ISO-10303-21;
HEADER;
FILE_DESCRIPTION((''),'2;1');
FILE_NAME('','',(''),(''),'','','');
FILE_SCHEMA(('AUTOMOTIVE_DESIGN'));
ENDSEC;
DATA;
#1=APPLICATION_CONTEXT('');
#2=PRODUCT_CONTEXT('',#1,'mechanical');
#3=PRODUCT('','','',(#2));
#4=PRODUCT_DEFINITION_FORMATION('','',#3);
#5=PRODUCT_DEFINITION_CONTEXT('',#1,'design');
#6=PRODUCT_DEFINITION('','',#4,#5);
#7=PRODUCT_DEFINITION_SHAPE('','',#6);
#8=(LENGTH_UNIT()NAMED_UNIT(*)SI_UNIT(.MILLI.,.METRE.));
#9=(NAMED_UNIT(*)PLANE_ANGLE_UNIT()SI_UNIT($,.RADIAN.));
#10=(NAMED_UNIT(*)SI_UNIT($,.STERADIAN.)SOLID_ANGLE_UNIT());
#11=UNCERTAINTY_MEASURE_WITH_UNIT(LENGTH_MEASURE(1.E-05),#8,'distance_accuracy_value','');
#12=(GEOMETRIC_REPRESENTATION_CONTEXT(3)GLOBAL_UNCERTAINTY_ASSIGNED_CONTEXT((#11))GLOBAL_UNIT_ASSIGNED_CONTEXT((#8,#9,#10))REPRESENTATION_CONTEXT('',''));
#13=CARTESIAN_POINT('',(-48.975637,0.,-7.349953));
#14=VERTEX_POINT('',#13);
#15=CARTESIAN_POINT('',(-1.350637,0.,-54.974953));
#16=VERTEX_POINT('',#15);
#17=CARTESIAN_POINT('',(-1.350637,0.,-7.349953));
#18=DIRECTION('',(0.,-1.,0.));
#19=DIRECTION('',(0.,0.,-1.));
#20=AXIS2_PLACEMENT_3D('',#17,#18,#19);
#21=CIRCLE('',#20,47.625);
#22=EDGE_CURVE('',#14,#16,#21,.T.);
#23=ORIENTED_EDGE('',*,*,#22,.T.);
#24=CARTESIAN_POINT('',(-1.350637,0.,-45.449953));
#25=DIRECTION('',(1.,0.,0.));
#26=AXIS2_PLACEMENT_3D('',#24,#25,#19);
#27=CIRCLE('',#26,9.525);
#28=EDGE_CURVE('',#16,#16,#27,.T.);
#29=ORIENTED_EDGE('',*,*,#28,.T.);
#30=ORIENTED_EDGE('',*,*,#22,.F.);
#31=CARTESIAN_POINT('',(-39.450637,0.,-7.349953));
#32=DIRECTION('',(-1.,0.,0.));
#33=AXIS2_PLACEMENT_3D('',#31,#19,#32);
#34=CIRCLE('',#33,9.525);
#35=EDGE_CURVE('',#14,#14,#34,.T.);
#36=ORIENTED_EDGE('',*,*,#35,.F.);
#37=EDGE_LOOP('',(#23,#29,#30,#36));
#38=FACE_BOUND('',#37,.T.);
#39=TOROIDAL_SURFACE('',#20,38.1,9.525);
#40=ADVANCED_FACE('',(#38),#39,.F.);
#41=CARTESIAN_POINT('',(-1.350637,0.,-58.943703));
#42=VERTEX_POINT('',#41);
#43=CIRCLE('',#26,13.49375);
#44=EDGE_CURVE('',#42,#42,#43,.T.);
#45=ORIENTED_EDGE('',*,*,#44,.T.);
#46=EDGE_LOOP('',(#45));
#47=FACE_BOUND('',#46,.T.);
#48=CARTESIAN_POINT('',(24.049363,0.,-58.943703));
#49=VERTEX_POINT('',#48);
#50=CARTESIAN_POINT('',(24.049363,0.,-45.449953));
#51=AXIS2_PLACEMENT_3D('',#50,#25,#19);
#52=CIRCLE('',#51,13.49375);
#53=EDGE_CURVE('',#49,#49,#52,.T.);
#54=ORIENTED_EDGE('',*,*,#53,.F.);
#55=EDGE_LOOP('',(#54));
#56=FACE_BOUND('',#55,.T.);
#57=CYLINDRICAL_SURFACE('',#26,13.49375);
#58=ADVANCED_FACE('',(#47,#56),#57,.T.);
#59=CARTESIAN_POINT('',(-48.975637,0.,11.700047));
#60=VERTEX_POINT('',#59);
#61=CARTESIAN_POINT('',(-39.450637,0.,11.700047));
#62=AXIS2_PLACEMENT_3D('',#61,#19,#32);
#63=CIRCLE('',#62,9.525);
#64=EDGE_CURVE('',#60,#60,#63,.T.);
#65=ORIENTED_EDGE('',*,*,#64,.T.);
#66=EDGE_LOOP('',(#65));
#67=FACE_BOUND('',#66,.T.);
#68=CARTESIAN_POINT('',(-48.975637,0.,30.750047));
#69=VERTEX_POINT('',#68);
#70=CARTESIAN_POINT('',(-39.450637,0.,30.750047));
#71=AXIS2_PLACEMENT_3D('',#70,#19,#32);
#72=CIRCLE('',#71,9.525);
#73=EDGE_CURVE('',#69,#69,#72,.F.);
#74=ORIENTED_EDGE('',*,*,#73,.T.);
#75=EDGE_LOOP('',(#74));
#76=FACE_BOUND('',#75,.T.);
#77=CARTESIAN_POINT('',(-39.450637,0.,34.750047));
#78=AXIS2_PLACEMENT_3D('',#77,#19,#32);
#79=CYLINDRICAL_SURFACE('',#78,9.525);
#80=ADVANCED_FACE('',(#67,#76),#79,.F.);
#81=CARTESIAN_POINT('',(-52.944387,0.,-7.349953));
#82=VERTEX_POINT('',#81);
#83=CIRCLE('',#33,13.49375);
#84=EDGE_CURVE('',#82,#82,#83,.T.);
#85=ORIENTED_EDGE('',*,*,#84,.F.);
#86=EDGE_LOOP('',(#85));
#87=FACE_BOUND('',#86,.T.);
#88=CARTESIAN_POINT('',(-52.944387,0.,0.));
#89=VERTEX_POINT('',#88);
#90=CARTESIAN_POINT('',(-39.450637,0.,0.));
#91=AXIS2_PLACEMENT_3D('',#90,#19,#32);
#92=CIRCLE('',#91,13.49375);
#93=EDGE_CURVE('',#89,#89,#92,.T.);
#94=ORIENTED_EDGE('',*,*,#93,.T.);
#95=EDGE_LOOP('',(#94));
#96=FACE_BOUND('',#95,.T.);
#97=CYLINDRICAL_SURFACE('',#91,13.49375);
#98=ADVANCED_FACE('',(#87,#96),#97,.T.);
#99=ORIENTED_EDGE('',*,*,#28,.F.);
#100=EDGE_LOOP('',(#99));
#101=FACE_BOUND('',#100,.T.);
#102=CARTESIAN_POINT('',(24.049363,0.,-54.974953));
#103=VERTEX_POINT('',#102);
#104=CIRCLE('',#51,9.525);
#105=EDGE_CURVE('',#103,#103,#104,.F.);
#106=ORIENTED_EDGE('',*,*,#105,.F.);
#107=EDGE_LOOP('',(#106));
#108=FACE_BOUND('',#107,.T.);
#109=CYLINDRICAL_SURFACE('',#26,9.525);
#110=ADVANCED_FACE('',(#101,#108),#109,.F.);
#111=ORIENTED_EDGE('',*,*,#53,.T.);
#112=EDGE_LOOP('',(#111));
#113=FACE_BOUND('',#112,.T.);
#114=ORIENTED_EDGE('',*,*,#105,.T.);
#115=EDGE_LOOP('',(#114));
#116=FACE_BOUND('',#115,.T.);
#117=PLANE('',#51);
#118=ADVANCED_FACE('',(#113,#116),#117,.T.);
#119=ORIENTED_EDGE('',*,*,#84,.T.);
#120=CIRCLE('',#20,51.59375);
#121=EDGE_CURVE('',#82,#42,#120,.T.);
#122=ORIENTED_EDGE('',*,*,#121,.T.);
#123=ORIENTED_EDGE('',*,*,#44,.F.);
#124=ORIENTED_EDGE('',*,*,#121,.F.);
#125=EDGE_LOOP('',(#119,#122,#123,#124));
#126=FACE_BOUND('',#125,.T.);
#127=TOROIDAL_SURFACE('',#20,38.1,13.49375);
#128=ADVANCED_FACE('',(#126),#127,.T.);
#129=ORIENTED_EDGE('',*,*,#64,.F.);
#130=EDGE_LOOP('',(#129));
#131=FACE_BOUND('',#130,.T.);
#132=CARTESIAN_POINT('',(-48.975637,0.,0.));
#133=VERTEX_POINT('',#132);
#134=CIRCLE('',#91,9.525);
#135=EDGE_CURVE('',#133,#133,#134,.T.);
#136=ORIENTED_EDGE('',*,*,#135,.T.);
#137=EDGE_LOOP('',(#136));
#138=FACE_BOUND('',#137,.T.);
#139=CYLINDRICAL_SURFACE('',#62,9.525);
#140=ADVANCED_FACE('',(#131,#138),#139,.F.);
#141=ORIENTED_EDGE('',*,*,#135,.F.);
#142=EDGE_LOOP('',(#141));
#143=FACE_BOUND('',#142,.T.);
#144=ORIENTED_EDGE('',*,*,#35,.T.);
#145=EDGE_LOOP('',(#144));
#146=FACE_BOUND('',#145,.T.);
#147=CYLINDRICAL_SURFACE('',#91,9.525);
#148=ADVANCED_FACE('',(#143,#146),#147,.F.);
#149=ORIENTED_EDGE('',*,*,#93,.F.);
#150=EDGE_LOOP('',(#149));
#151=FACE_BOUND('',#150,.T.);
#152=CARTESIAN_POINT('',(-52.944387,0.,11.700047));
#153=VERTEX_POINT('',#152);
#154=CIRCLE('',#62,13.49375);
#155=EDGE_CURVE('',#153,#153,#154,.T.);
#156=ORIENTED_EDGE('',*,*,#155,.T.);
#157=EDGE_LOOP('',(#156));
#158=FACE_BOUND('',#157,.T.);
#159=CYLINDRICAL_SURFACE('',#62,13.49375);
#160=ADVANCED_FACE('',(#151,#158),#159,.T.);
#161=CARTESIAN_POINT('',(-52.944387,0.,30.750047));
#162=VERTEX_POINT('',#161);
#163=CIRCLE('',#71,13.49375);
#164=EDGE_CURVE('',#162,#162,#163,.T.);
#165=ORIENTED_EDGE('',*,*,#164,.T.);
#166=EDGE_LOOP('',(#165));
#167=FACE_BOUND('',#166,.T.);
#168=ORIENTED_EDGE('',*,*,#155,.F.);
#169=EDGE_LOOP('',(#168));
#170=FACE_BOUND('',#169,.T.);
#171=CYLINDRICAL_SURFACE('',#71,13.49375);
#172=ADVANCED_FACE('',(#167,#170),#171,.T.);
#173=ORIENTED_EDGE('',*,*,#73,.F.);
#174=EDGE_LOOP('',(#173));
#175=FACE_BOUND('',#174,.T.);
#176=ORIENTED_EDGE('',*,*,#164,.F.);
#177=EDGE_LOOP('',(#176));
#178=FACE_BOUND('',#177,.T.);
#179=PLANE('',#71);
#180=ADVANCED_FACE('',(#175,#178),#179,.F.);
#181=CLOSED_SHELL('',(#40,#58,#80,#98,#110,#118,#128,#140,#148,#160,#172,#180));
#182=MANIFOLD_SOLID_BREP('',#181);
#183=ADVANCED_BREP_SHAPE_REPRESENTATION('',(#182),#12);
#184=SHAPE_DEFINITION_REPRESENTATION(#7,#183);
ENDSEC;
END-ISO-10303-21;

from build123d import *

# Parameters (mm, degrees)
SWEEP1_PROFILE_R     = 13.49375
CUT_SWEEP1_PROFILE_R = 9.525


with BuildPart() as part:
    # Sweep1: sweep along a curve in space
    with BuildLine() as sweep1_path:
        Line((-39.450636639, 0, 30.750046958), (-39.450636639, 0, 11.700046958))
        Line((-39.450636639, 0, 0), (-39.450636639, 0, 11.700046958))
        Line((-39.450636639, 0, -7.349953042), (-39.450636639, 0, 0))
        ThreePointArc((-39.450636639, 0, -7.349953042), (-28.291405002, 0, -34.290721405), (-1.350636639, 0, -45.449953042))
        Line((-1.350636639, 0, -45.449953042), (24.049363361, 0, -45.449953042))
    # Sweep1 profile (on start of the path) → Sweep1 (sweep)
    with BuildSketch(Plane(origin=(-39.450636639, 0, 30.750046958), x_dir=(-1, 0, 0), z_dir=(0, 0, -1))):
        Circle(SWEEP1_PROFILE_R)
    sweep(path=sweep1_path.line)

    # Cut-Sweep1: sweep along a curve in space
    with BuildLine() as cut_sweep1_path:
        Line((-39.450636639, 0, 30.750046958), (-39.450636639, 0, 11.700046958))
        Line((-39.450636639, 0, 0), (-39.450636639, 0, 11.700046958))
        Line((-39.450636639, 0, -7.349953042), (-39.450636639, 0, 0))
        ThreePointArc((-39.450636639, 0, -7.349953042), (-28.291405002, 0, -34.290721405), (-1.350636639, 0, -45.449953042))
        Line((-1.350636639, 0, -45.449953042), (24.049363361, 0, -45.449953042))
    # Cut-Sweep1 profile (on start of the path) → Cut-Sweep1 (sweep, cut)
    with BuildSketch(Plane(origin=(-39.450636639, 0, 30.750046958), x_dir=(-1, 0, 0), z_dir=(0, 0, -1))):
        Circle(CUT_SWEEP1_PROFILE_R)
    sweep(path=cut_sweep1_path.line, mode=Mode.SUBTRACT)


solid = part.part
